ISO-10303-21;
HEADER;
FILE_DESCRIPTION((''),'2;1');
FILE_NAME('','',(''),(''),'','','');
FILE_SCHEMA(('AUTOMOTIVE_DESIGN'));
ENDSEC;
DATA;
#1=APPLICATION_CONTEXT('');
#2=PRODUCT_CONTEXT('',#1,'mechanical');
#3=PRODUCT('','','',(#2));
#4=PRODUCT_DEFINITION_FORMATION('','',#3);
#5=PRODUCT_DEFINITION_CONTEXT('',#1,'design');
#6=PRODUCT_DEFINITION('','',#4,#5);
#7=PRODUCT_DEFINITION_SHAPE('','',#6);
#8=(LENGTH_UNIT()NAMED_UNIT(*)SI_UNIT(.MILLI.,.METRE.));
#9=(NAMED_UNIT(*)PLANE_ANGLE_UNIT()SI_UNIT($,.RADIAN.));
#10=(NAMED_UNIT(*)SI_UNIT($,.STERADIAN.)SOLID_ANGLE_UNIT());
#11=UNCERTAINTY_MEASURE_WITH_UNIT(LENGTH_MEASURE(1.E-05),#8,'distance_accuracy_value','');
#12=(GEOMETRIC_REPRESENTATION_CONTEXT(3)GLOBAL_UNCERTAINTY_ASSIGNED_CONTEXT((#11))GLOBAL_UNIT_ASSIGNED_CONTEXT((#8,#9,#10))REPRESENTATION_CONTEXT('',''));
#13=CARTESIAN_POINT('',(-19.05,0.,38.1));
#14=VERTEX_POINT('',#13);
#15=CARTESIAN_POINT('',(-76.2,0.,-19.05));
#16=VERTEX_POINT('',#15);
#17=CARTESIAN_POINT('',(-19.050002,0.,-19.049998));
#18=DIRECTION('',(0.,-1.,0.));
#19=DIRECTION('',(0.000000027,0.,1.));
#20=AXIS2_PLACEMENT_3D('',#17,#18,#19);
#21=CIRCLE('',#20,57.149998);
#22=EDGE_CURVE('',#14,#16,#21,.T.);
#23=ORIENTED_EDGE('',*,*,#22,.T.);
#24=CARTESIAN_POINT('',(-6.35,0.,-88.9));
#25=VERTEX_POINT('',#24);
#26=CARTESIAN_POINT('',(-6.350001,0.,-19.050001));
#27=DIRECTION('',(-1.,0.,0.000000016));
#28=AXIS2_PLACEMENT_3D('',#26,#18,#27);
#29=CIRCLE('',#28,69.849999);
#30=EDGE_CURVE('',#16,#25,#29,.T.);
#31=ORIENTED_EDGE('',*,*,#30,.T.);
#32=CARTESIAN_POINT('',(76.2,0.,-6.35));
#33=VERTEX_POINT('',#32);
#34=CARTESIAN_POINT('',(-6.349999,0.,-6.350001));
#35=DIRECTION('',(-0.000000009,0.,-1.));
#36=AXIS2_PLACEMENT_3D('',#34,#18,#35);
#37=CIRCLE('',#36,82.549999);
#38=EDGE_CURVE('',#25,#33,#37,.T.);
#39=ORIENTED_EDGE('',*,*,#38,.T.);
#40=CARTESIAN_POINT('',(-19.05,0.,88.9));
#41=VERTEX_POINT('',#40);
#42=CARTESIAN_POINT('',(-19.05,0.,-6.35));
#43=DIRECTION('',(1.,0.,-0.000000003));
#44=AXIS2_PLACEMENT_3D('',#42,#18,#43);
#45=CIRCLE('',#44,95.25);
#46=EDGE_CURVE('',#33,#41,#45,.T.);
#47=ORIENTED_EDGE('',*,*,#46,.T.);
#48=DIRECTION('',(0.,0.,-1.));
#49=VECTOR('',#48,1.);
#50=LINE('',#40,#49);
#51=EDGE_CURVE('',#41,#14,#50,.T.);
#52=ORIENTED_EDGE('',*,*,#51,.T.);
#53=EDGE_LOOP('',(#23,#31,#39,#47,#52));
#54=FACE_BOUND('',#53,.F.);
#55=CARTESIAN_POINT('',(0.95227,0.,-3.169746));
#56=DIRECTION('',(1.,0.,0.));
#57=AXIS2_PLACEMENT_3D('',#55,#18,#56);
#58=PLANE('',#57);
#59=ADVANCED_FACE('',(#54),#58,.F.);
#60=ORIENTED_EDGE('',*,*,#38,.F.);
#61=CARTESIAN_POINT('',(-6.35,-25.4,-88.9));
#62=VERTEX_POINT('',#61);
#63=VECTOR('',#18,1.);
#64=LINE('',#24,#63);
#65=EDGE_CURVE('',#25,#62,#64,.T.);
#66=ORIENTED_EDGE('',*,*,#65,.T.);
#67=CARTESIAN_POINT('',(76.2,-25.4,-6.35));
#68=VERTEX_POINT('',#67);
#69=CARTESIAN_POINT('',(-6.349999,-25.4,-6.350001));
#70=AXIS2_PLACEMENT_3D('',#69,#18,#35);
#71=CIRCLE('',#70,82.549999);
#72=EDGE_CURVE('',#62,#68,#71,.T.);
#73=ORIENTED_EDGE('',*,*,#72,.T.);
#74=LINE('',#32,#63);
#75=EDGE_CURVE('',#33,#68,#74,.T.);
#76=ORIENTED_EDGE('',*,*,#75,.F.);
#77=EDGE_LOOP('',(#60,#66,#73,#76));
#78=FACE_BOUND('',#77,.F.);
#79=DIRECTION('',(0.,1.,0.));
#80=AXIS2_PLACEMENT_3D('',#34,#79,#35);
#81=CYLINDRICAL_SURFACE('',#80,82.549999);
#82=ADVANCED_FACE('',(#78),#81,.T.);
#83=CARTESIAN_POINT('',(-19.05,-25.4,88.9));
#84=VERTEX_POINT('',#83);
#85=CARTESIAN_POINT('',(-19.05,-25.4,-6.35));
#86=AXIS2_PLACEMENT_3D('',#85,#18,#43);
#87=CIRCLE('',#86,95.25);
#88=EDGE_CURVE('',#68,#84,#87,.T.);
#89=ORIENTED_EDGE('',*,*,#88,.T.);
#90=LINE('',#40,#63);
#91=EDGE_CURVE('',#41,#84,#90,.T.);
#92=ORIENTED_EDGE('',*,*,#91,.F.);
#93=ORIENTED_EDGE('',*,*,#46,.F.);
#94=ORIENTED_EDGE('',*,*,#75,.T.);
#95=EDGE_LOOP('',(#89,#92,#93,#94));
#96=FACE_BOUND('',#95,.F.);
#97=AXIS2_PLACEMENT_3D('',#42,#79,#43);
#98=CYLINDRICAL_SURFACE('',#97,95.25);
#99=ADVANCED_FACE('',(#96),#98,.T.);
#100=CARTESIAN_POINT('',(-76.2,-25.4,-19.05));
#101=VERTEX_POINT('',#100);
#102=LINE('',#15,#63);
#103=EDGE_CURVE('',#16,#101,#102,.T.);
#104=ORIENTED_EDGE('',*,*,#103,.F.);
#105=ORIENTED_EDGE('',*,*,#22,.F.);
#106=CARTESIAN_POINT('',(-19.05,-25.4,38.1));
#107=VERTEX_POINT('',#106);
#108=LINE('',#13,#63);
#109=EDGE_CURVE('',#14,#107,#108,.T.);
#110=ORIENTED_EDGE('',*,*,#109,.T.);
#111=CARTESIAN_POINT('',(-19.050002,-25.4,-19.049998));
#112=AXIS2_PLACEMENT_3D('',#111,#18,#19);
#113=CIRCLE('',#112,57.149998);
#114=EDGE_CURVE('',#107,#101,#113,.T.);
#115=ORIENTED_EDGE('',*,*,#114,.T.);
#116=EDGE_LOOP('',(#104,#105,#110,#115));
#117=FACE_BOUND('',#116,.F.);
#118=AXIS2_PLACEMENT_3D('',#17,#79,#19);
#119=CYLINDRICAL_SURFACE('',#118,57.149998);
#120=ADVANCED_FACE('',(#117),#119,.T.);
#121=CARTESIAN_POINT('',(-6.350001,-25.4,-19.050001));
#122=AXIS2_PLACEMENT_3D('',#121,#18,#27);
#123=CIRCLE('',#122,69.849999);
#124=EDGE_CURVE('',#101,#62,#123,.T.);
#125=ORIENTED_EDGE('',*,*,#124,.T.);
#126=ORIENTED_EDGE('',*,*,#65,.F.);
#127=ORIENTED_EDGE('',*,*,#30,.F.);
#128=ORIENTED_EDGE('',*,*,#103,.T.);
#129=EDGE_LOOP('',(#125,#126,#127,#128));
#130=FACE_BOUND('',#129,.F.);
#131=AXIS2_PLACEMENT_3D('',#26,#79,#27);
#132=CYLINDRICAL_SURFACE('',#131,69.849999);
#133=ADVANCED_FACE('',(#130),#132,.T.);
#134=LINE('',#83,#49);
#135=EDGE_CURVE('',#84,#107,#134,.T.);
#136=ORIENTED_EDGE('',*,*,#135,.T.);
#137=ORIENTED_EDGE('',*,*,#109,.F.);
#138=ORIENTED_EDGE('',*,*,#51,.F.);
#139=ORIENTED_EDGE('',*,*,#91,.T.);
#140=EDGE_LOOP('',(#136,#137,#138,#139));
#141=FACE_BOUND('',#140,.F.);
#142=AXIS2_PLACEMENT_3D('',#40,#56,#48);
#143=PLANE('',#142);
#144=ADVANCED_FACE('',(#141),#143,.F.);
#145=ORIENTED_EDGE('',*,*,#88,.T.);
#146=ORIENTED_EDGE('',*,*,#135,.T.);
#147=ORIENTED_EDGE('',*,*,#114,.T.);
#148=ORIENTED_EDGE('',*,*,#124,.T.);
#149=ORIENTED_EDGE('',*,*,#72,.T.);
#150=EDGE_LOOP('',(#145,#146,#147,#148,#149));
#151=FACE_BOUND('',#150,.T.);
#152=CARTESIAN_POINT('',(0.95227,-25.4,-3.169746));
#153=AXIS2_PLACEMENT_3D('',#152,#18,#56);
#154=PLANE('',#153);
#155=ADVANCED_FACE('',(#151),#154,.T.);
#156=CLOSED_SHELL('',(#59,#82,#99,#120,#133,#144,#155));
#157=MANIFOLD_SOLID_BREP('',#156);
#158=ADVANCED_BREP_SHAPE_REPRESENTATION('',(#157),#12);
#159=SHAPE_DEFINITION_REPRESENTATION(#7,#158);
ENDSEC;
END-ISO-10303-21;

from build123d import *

# Parameters (mm, degrees)
F0_W     = 12.7
F0_H     = 12.7
F1_DEPTH = 25.4


with BuildPart() as f1:
    # F0 (on Front) → F1 (new body)
    with BuildSketch(Plane.XZ):
        with BuildLine():
            Line((-19.05, 88.9), (-19.05, 38.1))
            ThreePointArc((-19.05, 38.1), (-59.461153, 21.361153), (-76.2, -19.05))
            ThreePointArc((-76.2, -19.05), (-55.741409, -68.441409), (-6.35, -88.9))
            ThreePointArc((-6.35, -88.9), (52.021665, -64.721665), (76.2, -6.35))
            ThreePointArc((76.2, -6.35), (48.301921, 61.001921), (-19.05, 88.9))
        make_face()
        with Locations((-12.7, -12.7)):
            Rectangle(F0_W, F0_H, mode=Mode.SUBTRACT)
        with Locations((-12.7, -12.7)):
            Rectangle(F0_W, F0_H)
    extrude(amount=F1_DEPTH)


solid = f1.part
